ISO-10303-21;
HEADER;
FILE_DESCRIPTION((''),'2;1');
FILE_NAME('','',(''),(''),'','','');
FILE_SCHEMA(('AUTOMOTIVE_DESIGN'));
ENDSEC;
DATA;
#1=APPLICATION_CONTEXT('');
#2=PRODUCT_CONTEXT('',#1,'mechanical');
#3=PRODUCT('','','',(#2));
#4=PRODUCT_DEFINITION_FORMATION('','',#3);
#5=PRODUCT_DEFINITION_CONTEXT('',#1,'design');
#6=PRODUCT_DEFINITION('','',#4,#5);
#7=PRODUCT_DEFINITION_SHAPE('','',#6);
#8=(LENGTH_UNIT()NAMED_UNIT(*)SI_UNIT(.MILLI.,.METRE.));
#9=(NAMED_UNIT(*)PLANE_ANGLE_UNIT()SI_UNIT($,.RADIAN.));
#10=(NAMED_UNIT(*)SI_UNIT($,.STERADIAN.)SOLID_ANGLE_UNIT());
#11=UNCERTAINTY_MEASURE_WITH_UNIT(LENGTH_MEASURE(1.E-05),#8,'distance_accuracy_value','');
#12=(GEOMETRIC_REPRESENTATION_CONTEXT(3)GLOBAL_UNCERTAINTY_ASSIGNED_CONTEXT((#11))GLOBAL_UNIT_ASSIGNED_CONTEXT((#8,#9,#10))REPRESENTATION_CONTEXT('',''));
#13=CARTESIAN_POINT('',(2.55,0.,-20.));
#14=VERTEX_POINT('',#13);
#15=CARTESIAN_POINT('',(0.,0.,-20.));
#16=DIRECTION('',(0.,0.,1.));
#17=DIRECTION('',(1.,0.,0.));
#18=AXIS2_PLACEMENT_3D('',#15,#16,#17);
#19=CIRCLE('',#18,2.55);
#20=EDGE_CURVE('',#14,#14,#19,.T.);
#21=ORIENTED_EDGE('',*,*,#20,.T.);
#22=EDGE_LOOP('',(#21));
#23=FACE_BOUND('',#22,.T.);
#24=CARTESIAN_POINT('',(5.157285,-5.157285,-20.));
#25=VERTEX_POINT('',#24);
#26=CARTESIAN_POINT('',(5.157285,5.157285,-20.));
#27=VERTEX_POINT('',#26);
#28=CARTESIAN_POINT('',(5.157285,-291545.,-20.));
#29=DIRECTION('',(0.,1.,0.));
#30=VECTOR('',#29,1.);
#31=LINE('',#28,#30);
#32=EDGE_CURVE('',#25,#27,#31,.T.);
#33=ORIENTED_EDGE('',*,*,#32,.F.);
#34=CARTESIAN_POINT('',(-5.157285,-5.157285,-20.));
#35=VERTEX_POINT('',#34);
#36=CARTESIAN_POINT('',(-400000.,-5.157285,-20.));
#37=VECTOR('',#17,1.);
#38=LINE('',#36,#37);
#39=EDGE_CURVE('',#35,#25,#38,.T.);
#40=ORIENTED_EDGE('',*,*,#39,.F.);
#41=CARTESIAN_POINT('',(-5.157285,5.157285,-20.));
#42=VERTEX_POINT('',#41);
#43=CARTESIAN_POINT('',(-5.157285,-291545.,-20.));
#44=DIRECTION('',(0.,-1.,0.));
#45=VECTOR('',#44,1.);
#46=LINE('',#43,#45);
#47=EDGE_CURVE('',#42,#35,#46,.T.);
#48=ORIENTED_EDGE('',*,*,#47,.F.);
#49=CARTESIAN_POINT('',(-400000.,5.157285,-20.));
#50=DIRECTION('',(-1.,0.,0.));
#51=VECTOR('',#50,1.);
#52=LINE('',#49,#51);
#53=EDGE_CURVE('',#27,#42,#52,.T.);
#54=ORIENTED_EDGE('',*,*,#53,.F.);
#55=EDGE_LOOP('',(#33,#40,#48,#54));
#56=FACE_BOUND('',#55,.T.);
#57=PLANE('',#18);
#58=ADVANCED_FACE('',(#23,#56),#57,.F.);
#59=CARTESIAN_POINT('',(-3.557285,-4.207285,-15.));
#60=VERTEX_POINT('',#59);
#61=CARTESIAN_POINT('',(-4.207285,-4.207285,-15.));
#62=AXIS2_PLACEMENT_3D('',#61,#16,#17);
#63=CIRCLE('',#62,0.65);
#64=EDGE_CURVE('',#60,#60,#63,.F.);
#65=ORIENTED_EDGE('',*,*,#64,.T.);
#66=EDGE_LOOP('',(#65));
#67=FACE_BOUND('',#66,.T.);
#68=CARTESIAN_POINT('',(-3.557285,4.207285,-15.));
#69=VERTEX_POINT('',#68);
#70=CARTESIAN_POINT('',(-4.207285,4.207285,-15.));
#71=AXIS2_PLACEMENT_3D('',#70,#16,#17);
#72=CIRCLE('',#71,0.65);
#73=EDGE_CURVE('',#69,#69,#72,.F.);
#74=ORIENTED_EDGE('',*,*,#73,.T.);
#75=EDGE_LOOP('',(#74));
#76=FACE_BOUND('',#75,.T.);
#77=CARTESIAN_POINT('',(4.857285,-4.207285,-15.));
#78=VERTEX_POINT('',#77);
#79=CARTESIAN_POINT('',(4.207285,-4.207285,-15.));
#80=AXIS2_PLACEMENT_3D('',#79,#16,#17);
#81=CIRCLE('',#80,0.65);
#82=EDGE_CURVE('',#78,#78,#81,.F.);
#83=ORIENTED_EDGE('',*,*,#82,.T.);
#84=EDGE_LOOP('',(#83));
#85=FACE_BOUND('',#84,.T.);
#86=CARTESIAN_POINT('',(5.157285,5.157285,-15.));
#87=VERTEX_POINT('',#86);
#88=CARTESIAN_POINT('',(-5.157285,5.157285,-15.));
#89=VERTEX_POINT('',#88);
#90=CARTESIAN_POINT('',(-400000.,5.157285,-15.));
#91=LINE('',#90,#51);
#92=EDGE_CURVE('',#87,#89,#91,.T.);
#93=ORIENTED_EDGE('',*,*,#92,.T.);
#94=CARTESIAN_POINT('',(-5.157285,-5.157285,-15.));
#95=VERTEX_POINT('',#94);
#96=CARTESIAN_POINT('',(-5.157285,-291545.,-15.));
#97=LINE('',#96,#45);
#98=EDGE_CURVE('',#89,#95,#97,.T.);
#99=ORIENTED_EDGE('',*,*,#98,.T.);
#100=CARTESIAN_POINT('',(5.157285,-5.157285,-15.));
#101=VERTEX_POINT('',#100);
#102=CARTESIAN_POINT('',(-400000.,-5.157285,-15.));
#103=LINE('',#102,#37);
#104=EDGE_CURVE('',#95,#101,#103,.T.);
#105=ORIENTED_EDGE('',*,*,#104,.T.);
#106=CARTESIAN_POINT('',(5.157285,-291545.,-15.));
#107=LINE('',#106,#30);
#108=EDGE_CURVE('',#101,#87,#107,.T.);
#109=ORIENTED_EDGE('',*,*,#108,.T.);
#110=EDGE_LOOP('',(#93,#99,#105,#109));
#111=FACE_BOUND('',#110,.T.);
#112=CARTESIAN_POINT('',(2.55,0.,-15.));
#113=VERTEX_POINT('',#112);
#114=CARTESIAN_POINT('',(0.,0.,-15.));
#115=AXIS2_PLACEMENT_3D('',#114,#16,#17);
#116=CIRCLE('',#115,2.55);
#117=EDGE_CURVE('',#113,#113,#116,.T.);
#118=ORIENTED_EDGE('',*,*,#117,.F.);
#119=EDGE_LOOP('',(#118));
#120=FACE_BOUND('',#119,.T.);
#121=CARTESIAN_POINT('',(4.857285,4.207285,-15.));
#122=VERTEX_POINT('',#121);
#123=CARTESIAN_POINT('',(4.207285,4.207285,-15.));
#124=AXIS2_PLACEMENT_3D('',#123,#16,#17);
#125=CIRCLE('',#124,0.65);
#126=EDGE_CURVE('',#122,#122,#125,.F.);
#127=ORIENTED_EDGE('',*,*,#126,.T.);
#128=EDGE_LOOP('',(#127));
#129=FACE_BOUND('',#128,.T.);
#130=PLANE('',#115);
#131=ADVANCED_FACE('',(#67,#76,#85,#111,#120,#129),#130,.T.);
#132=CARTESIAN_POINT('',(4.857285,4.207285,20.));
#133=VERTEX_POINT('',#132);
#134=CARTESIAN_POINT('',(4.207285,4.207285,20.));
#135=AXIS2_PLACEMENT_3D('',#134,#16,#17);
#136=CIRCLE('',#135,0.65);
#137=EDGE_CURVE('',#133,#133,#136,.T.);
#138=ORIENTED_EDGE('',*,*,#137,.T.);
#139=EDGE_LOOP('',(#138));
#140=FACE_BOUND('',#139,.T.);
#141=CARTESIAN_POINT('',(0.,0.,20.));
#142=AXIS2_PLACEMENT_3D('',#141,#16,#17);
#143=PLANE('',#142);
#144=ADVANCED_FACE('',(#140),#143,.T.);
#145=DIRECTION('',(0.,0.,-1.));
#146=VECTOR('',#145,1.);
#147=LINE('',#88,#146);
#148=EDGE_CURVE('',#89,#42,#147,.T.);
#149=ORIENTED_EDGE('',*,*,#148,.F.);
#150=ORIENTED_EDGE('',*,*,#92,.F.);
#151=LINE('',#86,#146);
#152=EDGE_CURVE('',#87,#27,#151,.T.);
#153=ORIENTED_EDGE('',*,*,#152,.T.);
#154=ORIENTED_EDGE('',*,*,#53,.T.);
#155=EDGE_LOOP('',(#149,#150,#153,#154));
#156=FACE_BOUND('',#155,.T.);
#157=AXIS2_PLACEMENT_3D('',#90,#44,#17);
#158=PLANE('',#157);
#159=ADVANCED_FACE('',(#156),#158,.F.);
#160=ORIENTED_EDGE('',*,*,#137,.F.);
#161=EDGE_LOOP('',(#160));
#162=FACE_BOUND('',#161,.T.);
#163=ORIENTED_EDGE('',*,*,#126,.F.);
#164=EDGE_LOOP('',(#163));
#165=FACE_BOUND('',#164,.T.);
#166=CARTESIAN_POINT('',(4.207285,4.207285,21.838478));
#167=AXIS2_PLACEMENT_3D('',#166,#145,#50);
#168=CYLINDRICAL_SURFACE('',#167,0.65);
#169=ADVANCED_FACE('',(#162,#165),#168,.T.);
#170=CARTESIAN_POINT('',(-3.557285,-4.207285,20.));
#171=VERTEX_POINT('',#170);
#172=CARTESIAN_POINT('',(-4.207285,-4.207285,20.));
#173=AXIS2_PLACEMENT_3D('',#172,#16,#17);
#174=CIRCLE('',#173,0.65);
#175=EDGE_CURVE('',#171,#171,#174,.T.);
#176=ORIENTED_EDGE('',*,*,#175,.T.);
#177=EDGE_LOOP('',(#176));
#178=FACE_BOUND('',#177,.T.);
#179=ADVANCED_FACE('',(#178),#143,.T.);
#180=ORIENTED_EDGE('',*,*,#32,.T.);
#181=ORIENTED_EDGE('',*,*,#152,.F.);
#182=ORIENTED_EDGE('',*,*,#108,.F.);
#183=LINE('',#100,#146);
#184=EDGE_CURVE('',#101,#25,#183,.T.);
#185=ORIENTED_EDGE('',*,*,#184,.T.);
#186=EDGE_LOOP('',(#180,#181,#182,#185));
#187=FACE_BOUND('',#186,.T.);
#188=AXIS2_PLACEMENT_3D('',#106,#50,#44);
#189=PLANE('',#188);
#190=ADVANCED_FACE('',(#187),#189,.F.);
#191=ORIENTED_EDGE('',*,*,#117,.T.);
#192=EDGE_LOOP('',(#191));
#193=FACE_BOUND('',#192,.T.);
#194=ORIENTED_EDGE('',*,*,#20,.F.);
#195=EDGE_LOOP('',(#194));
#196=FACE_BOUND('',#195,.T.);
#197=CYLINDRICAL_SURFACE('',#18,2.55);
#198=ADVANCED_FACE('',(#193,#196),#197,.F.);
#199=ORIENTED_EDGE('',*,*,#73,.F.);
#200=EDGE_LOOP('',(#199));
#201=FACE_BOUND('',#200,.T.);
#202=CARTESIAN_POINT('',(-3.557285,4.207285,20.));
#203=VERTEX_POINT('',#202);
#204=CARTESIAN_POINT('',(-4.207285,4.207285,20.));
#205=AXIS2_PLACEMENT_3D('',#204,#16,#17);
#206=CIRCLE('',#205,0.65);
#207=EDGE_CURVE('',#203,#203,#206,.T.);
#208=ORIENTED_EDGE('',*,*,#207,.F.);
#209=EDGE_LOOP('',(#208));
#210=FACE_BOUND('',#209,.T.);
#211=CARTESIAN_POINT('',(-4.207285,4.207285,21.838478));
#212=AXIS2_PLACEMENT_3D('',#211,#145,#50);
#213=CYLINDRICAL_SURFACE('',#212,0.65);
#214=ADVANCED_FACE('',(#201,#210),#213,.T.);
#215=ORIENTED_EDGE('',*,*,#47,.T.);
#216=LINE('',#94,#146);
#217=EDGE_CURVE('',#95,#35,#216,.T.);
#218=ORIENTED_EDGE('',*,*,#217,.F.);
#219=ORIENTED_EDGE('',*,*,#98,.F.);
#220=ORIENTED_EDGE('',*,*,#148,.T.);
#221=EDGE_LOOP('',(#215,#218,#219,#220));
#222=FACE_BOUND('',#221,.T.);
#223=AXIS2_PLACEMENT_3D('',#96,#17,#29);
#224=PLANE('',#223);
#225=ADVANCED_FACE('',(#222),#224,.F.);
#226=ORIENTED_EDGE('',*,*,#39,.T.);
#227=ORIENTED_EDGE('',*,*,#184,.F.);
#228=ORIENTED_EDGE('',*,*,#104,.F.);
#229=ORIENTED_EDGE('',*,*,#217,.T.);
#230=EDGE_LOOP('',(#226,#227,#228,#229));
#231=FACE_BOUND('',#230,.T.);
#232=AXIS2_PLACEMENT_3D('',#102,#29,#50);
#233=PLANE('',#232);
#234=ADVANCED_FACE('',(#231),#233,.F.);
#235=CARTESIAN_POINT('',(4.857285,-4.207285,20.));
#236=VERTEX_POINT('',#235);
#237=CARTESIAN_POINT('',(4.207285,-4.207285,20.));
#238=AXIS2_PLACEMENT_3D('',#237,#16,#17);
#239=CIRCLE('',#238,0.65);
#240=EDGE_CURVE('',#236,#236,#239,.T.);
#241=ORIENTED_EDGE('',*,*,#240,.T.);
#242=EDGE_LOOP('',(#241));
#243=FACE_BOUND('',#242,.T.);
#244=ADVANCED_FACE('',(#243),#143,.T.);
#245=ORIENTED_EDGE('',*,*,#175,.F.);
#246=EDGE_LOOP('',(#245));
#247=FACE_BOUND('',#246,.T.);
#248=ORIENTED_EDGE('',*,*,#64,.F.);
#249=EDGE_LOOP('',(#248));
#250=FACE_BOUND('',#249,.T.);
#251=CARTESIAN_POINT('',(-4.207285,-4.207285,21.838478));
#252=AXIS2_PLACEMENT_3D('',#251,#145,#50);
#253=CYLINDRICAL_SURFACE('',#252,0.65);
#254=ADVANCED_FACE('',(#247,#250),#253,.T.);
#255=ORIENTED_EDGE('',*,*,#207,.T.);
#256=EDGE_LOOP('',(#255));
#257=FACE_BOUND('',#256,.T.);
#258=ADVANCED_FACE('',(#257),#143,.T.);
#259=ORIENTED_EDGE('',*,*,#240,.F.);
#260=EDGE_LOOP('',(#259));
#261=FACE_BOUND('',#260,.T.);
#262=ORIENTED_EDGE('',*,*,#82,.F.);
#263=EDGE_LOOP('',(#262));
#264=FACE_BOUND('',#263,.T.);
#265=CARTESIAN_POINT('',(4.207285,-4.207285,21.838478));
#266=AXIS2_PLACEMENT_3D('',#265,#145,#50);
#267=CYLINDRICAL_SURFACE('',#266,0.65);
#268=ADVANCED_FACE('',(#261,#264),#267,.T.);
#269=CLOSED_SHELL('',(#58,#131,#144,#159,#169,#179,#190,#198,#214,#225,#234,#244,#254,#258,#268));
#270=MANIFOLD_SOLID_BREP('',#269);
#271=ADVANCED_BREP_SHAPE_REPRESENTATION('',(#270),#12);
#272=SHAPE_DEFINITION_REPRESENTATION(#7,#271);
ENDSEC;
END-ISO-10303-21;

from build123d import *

# Parameters (mm, degrees)
MAINBODY_EXTRUDE_START = -20
PROJECTIONXY_SKETCH_W  = 10.314570696
PROJECTIONXY_SKETCH_H  = 10.314570696
MAINBODY_EXTRUDE_DEPTH = 5
BORE_CUT_DEPTH         = 22.28838144
BORE_CUT_DEPTH_BACK    = 22.28838144
BORE_SKETCH_R          = 2.55
POSTS_EXTRUDE_START    = -20
POSTS_SKETCH_R         = 0.65
POSTS_EXTRUDE_DEPTH    = 40


with BuildPart() as part:
    # projectionXy_sketch → mainBody_extrude (new body)
    with BuildSketch(Plane.XY.offset(MAINBODY_EXTRUDE_START)):
        Rectangle(PROJECTIONXY_SKETCH_W, PROJECTIONXY_SKETCH_H)
    extrude(amount=MAINBODY_EXTRUDE_DEPTH)

    # bore_sketch → bore_cut (cut, two sides: drawn at the far end of the back side and taken through both)
    with BuildSketch(Plane.XY.offset(-BORE_CUT_DEPTH_BACK)):
        Circle(BORE_SKETCH_R)
    extrude(amount=BORE_CUT_DEPTH + BORE_CUT_DEPTH_BACK, mode=Mode.SUBTRACT)

    # posts_sketch → posts_extrude (add)
    with BuildSketch(Plane.XY.offset(POSTS_EXTRUDE_START)):
        with Locations((4.207285348, -4.207285348)):
            Circle(POSTS_SKETCH_R)
        with Locations((-4.207285348, -4.207285348)):
            Circle(POSTS_SKETCH_R)
        with Locations((-4.207285348, 4.207285348)):
            Circle(POSTS_SKETCH_R)
        with Locations((4.207285348, 4.207285348)):
            Circle(POSTS_SKETCH_R)
    extrude(amount=POSTS_EXTRUDE_DEPTH)


solid = part.part
